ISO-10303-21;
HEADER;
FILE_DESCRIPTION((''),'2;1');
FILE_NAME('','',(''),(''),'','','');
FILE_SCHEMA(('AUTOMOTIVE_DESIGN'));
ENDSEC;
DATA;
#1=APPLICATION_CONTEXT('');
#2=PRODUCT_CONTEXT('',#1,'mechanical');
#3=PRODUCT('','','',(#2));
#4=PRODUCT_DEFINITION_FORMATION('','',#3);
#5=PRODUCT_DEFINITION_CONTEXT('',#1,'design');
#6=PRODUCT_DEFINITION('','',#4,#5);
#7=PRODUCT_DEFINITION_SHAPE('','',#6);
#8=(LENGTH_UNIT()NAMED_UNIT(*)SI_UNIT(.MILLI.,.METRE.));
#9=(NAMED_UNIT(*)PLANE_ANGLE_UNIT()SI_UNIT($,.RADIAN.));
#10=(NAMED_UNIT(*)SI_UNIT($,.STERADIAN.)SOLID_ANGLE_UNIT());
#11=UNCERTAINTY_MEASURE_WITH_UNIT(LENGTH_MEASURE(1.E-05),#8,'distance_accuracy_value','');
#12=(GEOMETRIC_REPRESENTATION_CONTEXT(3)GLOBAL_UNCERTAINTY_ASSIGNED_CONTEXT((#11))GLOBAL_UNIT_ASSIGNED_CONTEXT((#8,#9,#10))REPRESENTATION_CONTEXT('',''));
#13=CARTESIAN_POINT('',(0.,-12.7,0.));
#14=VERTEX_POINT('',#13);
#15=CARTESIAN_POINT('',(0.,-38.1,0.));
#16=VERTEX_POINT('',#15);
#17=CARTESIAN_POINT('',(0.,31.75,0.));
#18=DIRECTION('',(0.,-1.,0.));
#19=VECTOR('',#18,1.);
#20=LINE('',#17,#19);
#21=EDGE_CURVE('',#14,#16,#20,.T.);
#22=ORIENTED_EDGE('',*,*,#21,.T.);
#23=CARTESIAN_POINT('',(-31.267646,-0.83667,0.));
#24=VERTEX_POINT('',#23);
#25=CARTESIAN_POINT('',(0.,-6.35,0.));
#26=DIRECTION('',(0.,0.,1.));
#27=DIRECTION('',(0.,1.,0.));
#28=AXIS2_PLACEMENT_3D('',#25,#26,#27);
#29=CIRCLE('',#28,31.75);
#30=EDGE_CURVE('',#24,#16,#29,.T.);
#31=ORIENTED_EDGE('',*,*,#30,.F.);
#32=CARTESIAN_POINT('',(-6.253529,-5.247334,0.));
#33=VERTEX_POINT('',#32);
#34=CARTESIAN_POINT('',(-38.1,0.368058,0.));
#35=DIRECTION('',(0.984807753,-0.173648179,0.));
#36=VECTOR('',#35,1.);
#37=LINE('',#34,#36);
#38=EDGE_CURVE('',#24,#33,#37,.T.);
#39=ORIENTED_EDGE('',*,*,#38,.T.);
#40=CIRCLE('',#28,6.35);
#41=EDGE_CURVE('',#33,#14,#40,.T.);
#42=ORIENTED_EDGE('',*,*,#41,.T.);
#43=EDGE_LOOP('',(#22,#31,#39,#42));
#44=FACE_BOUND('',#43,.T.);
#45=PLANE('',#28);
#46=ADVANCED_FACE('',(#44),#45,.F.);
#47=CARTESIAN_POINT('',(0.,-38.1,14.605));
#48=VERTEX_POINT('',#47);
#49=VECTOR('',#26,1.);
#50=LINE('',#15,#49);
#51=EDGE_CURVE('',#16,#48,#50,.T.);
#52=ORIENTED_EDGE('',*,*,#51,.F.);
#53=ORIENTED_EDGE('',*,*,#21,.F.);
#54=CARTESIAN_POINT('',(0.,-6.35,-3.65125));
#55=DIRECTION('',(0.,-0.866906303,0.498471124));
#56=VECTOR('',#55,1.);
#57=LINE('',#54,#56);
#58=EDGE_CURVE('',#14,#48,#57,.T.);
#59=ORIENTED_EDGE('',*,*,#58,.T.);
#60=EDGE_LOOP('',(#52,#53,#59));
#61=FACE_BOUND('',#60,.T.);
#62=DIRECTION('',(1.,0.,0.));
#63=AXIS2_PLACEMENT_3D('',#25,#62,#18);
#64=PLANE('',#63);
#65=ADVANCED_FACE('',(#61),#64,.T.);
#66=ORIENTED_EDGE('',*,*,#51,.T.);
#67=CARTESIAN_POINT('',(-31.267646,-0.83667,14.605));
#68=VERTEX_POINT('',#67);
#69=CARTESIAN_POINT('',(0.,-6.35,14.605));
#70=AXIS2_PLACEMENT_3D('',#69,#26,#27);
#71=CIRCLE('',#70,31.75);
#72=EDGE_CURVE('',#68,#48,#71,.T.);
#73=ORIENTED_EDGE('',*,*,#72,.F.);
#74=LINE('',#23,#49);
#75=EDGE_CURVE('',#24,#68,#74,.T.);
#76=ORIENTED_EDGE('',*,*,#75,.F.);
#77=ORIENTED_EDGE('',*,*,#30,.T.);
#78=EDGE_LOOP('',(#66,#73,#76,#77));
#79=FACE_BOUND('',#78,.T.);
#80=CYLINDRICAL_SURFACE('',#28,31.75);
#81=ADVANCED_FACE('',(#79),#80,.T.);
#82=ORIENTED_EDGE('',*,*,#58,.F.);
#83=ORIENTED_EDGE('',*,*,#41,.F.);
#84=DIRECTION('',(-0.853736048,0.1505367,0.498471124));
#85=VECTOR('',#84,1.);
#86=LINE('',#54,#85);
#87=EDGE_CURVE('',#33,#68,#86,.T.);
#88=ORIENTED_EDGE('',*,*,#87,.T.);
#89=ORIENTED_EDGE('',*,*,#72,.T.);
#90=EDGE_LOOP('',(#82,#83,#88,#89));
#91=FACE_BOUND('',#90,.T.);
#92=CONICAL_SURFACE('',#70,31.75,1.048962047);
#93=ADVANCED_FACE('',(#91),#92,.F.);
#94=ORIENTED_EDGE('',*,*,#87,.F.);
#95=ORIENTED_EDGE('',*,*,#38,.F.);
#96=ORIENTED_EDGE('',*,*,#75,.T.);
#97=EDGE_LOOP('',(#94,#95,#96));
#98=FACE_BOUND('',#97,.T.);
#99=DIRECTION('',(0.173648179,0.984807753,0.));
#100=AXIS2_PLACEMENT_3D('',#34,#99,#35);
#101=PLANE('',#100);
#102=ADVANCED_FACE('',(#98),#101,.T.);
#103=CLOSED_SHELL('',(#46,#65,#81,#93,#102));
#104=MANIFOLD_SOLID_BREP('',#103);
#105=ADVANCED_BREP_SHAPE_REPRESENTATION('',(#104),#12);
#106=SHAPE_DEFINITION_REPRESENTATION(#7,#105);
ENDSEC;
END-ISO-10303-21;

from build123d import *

# Parameters (mm, degrees)
F3_DEPTH = 14.606
F5_DEPTH = 14.606


with BuildPart() as f1:
    # F0 (on Right) → F1 (revolve)
    with BuildSketch(Plane.YZ):
        Polygon((25.4, 14.605), (0, 0), (25.4, 0), align=None)
    revolve(axis=Axis((0, -6.35, 8.989026), (0, 0, 1)))

    # F2 (on Top) → F3 (cut, through all)
    with BuildSketch(Plane.XY):
        Polygon((0, 31.75), (0, -6.35), (0, -41.735239), (38.1, -41.735239), (38.1, -6.35), (38.1, 31.75), align=None)
        Polygon((-6.718058, 31.75), (0, -6.35), (0, 31.75), align=None)
    extrude(amount=F3_DEPTH, mode=Mode.SUBTRACT)

    # F4 (on Top) → F5 (cut, through all)
    with BuildSketch(Plane.XY):
        Polygon((0, -6.35), (0, 27.06758), (-38.1, 27.06758), (-38.1, 0.368058), align=None)
    extrude(amount=F5_DEPTH, mode=Mode.SUBTRACT)


solid = f1.part
